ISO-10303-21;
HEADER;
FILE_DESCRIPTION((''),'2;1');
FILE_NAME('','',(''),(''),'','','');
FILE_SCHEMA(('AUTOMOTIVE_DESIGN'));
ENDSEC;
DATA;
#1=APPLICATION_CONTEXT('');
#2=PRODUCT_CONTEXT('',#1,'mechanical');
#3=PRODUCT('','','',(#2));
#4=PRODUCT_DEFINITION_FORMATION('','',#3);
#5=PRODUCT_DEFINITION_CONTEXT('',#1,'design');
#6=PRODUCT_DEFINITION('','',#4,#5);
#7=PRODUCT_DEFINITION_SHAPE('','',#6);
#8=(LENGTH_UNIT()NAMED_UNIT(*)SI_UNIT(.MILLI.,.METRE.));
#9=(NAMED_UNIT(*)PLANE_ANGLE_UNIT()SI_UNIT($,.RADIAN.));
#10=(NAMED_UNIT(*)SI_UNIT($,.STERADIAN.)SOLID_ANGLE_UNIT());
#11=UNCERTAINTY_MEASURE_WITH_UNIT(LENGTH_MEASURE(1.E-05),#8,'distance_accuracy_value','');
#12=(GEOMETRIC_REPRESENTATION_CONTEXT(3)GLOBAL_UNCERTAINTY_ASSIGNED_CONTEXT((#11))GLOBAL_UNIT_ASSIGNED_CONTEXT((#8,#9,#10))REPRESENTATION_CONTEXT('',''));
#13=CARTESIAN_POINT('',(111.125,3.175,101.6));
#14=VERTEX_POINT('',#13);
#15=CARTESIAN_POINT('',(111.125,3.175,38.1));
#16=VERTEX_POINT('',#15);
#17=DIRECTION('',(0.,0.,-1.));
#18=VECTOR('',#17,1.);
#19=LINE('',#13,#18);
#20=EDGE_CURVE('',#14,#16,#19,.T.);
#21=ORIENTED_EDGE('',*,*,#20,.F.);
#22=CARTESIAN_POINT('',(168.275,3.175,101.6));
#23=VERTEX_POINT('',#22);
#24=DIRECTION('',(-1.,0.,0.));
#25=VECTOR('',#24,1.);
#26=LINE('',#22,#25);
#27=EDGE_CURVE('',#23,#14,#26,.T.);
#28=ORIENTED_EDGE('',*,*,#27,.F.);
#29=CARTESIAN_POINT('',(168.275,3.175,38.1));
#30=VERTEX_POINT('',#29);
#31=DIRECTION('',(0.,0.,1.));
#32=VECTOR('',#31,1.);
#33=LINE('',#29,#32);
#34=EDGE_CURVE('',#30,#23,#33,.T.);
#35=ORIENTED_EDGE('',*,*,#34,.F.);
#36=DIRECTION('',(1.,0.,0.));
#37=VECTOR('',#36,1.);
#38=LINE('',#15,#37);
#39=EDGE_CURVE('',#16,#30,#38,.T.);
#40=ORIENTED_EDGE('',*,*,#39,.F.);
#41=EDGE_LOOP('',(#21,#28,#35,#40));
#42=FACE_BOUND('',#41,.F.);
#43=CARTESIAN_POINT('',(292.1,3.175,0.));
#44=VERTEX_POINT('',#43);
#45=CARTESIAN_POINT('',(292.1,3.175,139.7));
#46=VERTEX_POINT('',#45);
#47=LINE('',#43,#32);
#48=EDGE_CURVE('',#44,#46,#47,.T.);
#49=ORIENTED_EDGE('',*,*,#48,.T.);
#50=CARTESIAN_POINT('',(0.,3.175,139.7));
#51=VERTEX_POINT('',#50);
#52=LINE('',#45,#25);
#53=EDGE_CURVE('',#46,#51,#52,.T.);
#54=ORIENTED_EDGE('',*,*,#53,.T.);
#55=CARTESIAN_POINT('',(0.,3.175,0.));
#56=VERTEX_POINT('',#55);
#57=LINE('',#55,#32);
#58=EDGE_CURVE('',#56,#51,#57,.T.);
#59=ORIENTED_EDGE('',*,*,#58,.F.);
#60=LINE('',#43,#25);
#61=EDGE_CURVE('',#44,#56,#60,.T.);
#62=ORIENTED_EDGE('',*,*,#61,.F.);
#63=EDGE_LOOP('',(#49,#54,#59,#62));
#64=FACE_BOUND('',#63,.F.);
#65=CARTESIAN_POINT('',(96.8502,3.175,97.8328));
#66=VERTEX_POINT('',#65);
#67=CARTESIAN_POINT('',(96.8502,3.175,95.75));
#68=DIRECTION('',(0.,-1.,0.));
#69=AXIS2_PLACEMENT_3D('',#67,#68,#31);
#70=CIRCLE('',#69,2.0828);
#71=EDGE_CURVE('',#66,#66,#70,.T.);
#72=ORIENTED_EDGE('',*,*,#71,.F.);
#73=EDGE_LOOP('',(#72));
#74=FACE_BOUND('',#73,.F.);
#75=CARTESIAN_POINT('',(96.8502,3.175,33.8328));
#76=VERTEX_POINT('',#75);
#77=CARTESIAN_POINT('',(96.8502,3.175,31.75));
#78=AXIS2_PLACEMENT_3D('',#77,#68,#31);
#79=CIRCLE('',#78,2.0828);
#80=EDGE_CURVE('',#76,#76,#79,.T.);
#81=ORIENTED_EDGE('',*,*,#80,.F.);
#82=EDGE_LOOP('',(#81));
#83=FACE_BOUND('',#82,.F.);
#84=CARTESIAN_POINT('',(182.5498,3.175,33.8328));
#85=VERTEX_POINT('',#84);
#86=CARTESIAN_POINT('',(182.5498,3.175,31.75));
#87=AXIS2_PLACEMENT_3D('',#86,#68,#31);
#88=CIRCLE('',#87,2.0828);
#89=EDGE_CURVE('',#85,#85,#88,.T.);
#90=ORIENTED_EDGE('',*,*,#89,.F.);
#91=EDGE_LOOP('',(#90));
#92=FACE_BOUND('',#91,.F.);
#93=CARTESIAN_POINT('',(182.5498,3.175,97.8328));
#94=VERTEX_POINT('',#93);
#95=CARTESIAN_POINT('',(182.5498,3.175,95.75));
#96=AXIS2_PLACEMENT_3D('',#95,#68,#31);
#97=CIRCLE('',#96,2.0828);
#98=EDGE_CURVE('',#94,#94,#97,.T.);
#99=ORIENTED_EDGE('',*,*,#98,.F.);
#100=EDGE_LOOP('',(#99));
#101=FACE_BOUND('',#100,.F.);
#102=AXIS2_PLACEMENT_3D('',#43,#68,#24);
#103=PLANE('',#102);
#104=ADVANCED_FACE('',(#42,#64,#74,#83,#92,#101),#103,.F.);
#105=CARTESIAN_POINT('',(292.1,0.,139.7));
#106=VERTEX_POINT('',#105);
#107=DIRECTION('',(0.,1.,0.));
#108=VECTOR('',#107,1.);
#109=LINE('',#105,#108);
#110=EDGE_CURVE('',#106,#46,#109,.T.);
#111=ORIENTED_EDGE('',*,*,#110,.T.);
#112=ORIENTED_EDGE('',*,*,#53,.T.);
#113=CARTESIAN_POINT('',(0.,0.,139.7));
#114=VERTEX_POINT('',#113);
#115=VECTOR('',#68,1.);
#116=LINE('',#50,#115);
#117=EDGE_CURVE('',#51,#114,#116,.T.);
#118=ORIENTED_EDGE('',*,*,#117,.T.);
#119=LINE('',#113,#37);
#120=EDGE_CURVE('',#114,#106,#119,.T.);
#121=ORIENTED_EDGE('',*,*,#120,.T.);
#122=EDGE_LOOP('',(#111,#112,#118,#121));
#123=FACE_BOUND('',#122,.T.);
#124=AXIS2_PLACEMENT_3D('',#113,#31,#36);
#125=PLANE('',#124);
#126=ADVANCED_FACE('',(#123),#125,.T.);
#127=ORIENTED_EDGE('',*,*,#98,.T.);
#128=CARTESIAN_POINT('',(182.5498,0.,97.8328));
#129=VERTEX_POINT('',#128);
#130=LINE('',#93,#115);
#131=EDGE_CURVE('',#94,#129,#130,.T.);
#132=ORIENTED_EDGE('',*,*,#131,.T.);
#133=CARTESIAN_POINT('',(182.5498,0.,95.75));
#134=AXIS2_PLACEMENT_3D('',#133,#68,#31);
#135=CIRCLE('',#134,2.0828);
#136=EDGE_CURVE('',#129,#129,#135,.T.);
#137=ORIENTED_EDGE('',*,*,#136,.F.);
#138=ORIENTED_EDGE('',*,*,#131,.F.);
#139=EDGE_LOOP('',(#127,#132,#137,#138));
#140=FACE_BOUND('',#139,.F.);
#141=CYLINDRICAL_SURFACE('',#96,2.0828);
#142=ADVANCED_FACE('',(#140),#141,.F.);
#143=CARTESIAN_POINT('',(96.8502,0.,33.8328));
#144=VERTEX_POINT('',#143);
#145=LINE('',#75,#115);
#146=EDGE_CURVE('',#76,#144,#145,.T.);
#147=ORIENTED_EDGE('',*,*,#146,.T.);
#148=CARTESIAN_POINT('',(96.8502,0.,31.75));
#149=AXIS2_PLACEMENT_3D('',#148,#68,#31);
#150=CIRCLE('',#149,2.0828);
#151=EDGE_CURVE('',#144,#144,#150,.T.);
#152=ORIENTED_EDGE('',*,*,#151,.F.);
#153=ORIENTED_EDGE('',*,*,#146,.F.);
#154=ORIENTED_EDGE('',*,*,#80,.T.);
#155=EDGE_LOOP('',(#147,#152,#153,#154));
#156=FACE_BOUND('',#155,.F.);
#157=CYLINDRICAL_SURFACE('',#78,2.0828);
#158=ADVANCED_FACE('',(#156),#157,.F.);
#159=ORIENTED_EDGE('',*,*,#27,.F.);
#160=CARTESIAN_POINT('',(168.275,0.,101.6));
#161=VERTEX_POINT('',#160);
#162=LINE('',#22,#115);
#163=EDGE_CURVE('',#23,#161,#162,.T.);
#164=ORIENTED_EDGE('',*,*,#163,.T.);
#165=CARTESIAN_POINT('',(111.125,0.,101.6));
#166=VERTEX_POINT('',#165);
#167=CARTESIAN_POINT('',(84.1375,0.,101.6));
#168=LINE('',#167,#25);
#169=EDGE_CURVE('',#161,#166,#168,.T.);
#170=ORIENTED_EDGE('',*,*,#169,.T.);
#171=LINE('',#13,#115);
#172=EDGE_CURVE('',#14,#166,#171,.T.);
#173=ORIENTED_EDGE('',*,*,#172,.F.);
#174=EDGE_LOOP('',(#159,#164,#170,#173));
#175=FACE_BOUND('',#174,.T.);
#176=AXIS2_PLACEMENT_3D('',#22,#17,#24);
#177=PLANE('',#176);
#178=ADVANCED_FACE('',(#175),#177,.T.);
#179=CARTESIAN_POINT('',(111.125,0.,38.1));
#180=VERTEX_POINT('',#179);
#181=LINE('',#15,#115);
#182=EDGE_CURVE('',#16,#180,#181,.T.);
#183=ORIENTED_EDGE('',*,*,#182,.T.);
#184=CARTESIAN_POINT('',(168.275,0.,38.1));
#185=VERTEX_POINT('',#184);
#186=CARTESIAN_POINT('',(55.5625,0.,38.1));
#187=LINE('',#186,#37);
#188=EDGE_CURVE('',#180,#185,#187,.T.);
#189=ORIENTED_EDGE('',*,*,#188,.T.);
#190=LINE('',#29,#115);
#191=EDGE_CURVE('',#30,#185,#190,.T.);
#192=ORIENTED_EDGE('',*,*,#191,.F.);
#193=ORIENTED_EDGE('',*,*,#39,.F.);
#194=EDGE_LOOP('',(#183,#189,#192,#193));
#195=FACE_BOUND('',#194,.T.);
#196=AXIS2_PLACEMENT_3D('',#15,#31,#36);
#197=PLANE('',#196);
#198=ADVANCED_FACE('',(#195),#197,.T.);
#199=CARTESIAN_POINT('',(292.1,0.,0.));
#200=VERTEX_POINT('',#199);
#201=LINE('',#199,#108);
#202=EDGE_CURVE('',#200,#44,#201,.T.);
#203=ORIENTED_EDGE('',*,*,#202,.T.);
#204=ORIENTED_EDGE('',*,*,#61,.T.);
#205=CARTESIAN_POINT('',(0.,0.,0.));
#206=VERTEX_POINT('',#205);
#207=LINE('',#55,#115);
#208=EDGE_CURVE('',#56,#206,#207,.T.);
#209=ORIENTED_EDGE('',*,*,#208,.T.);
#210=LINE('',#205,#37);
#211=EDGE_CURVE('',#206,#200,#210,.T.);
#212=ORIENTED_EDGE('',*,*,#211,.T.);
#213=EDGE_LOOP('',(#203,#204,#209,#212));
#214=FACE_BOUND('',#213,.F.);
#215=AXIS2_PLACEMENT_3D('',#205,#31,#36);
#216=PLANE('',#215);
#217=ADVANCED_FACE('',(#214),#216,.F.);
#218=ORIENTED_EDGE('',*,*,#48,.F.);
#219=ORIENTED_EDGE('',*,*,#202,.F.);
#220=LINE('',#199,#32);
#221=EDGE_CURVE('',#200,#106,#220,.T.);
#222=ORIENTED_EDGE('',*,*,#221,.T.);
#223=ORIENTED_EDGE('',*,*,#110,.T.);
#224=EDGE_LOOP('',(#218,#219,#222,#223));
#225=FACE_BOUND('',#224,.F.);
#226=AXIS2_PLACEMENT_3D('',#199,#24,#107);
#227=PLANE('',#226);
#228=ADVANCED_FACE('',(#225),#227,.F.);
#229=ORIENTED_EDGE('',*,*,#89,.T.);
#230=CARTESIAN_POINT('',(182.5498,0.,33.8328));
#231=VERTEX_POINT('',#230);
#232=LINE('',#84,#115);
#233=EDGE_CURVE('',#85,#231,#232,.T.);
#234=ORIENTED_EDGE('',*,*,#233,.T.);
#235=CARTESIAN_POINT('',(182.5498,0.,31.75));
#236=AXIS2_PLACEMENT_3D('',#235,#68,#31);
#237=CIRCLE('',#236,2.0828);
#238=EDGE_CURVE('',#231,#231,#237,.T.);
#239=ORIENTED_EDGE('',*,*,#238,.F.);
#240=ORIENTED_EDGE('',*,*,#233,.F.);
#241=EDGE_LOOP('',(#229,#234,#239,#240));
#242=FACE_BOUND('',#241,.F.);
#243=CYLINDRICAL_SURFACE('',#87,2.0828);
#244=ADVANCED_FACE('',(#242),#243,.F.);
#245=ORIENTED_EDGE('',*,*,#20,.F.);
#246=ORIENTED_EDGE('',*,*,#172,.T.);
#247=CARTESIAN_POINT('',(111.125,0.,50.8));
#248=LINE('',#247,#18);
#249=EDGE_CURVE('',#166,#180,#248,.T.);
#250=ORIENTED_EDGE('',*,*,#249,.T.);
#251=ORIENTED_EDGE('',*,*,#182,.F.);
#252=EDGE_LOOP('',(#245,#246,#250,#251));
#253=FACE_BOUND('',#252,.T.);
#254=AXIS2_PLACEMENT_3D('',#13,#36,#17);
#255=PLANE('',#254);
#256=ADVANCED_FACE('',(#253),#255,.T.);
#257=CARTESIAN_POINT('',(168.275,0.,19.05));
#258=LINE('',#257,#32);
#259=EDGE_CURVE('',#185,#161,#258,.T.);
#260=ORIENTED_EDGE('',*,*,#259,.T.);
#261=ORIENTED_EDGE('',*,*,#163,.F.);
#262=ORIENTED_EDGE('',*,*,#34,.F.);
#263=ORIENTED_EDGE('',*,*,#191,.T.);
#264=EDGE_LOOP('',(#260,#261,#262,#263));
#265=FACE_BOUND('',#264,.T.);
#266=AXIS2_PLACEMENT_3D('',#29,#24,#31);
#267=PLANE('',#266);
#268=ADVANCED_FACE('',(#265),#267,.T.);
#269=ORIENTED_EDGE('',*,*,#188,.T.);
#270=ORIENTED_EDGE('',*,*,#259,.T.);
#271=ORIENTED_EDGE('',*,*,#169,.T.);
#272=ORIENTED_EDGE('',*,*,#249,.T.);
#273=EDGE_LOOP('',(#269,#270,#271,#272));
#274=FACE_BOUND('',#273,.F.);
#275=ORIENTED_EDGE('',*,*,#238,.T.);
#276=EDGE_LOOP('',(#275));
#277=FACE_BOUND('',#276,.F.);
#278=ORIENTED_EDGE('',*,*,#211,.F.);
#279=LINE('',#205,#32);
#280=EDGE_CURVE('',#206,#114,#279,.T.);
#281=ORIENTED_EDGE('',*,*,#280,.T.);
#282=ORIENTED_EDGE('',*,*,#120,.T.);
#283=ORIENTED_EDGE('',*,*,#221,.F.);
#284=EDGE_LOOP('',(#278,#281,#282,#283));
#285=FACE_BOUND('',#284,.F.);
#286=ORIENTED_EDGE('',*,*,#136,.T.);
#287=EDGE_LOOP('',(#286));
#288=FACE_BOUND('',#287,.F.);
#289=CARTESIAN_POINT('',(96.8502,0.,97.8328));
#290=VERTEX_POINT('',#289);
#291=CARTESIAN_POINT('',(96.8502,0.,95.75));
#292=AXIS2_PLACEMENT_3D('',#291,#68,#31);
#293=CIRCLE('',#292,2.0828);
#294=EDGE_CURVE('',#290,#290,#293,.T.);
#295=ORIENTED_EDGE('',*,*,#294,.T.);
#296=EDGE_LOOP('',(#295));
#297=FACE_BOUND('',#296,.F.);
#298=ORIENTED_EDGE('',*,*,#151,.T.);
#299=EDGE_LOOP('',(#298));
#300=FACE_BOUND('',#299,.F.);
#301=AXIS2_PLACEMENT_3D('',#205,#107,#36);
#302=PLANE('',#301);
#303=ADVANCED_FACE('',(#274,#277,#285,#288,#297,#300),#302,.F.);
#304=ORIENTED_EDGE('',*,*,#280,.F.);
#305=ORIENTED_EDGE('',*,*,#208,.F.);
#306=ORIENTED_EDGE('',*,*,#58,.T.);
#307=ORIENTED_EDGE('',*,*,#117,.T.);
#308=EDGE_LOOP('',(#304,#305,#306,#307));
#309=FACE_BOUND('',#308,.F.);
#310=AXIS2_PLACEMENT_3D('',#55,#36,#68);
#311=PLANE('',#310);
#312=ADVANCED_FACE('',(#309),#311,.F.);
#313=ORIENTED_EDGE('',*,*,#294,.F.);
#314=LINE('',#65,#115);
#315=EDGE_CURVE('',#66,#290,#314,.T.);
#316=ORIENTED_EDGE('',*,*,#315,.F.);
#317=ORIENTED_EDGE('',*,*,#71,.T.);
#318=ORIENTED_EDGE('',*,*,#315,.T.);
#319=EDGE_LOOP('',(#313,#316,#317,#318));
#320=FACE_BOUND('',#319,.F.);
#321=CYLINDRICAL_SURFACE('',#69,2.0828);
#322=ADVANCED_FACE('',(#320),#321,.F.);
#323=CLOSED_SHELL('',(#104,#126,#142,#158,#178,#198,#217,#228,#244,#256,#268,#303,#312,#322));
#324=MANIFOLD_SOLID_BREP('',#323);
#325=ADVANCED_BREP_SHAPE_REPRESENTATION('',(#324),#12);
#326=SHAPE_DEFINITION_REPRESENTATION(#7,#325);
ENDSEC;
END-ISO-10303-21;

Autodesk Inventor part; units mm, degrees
ref_plane "YZ Plane" through (0, 0, 0) normal (1, 0, 0) x (0, 1, 0)
ref_plane "XZ Plane" through (0, 0, 0) normal (0, 1, 0) x (-1, 0, 0)
ref_plane "XY Plane" through (0, 0, 0) normal (0, 0, 1) x (1, 0, 0)
sketch "Sketch1" plane through (0, 0, 0) normal (0, 0, 1) x (1, 0, 0)
  line L0 (0, 0) -> (292.1, 0)
  line L1 (292.1, 0) -> (292.1, 3.175)
  line L2 (292.1, 3.175) -> (0, 3.175)
  line L3 (0, 3.175) -> (0, 0)
  dimension "d0" = 292.1
  dimension "d1" = 3.175
extrude "Extrusion1" add sketch "Sketch1" along normal blind 139.7
sketch "Sketch2" plane through (0, 3.175, 0) normal (0, 1, 0) x (1, 0, 0)
  point P0 (0, 0)
  point P1 (96.8502, -31.75)
  point P2 (96.8502, -95.75)
  point P3 (182.5498, -31.75)
  point P4 (182.5498, -95.75)
  dimension "d4" = 64
  dimension "d5" = 31.75
  dimension "d6" = 64
  dimension "d7" = 31.75
  dimension "d15" = 85.6996
  dimension "d16" = 85.6996
  dimension "d17" = 96.8502
  dimension "d18" = 96.8502
hole "Hole1" at (96.8502, 3.175, 31.75) at (96.8502, 3.175, 95.75) at (182.5498, 3.175, 31.75) at (182.5498, 3.175, 95.75) direction (0, -1, 0) diameter 4.1656 end through all
sketch "Sketch3" plane through (0, 3.175, 0) normal (0, 1, 0) x (1, 0, 0)
  line L0 (111.125, -38.1) -> (168.275, -38.1)
  line L1 (168.275, -38.1) -> (168.275, -101.6)
  line L2 (168.275, -101.6) -> (111.125, -101.6)
  line L3 (111.125, -101.6) -> (111.125, -38.1)
  line L4 (292.1, -139.7) -> (0, -139.7) projected
  point P0 (0, 0)
  dimension "d19" = 57.15
  dimension "d20" = 63.5
  dimension "d24" = 111.125
  dimension "d26" = 38.1
extrude "Extrusion2" cut sketch "Sketch3" against normal blind 25.4
equation "\"d6\" = d4"
equation "\"d7\" = d5"
equation "\"d16\" = d15"
equation "\"d17\" = d18"
properties part number "Winch baseplate"
